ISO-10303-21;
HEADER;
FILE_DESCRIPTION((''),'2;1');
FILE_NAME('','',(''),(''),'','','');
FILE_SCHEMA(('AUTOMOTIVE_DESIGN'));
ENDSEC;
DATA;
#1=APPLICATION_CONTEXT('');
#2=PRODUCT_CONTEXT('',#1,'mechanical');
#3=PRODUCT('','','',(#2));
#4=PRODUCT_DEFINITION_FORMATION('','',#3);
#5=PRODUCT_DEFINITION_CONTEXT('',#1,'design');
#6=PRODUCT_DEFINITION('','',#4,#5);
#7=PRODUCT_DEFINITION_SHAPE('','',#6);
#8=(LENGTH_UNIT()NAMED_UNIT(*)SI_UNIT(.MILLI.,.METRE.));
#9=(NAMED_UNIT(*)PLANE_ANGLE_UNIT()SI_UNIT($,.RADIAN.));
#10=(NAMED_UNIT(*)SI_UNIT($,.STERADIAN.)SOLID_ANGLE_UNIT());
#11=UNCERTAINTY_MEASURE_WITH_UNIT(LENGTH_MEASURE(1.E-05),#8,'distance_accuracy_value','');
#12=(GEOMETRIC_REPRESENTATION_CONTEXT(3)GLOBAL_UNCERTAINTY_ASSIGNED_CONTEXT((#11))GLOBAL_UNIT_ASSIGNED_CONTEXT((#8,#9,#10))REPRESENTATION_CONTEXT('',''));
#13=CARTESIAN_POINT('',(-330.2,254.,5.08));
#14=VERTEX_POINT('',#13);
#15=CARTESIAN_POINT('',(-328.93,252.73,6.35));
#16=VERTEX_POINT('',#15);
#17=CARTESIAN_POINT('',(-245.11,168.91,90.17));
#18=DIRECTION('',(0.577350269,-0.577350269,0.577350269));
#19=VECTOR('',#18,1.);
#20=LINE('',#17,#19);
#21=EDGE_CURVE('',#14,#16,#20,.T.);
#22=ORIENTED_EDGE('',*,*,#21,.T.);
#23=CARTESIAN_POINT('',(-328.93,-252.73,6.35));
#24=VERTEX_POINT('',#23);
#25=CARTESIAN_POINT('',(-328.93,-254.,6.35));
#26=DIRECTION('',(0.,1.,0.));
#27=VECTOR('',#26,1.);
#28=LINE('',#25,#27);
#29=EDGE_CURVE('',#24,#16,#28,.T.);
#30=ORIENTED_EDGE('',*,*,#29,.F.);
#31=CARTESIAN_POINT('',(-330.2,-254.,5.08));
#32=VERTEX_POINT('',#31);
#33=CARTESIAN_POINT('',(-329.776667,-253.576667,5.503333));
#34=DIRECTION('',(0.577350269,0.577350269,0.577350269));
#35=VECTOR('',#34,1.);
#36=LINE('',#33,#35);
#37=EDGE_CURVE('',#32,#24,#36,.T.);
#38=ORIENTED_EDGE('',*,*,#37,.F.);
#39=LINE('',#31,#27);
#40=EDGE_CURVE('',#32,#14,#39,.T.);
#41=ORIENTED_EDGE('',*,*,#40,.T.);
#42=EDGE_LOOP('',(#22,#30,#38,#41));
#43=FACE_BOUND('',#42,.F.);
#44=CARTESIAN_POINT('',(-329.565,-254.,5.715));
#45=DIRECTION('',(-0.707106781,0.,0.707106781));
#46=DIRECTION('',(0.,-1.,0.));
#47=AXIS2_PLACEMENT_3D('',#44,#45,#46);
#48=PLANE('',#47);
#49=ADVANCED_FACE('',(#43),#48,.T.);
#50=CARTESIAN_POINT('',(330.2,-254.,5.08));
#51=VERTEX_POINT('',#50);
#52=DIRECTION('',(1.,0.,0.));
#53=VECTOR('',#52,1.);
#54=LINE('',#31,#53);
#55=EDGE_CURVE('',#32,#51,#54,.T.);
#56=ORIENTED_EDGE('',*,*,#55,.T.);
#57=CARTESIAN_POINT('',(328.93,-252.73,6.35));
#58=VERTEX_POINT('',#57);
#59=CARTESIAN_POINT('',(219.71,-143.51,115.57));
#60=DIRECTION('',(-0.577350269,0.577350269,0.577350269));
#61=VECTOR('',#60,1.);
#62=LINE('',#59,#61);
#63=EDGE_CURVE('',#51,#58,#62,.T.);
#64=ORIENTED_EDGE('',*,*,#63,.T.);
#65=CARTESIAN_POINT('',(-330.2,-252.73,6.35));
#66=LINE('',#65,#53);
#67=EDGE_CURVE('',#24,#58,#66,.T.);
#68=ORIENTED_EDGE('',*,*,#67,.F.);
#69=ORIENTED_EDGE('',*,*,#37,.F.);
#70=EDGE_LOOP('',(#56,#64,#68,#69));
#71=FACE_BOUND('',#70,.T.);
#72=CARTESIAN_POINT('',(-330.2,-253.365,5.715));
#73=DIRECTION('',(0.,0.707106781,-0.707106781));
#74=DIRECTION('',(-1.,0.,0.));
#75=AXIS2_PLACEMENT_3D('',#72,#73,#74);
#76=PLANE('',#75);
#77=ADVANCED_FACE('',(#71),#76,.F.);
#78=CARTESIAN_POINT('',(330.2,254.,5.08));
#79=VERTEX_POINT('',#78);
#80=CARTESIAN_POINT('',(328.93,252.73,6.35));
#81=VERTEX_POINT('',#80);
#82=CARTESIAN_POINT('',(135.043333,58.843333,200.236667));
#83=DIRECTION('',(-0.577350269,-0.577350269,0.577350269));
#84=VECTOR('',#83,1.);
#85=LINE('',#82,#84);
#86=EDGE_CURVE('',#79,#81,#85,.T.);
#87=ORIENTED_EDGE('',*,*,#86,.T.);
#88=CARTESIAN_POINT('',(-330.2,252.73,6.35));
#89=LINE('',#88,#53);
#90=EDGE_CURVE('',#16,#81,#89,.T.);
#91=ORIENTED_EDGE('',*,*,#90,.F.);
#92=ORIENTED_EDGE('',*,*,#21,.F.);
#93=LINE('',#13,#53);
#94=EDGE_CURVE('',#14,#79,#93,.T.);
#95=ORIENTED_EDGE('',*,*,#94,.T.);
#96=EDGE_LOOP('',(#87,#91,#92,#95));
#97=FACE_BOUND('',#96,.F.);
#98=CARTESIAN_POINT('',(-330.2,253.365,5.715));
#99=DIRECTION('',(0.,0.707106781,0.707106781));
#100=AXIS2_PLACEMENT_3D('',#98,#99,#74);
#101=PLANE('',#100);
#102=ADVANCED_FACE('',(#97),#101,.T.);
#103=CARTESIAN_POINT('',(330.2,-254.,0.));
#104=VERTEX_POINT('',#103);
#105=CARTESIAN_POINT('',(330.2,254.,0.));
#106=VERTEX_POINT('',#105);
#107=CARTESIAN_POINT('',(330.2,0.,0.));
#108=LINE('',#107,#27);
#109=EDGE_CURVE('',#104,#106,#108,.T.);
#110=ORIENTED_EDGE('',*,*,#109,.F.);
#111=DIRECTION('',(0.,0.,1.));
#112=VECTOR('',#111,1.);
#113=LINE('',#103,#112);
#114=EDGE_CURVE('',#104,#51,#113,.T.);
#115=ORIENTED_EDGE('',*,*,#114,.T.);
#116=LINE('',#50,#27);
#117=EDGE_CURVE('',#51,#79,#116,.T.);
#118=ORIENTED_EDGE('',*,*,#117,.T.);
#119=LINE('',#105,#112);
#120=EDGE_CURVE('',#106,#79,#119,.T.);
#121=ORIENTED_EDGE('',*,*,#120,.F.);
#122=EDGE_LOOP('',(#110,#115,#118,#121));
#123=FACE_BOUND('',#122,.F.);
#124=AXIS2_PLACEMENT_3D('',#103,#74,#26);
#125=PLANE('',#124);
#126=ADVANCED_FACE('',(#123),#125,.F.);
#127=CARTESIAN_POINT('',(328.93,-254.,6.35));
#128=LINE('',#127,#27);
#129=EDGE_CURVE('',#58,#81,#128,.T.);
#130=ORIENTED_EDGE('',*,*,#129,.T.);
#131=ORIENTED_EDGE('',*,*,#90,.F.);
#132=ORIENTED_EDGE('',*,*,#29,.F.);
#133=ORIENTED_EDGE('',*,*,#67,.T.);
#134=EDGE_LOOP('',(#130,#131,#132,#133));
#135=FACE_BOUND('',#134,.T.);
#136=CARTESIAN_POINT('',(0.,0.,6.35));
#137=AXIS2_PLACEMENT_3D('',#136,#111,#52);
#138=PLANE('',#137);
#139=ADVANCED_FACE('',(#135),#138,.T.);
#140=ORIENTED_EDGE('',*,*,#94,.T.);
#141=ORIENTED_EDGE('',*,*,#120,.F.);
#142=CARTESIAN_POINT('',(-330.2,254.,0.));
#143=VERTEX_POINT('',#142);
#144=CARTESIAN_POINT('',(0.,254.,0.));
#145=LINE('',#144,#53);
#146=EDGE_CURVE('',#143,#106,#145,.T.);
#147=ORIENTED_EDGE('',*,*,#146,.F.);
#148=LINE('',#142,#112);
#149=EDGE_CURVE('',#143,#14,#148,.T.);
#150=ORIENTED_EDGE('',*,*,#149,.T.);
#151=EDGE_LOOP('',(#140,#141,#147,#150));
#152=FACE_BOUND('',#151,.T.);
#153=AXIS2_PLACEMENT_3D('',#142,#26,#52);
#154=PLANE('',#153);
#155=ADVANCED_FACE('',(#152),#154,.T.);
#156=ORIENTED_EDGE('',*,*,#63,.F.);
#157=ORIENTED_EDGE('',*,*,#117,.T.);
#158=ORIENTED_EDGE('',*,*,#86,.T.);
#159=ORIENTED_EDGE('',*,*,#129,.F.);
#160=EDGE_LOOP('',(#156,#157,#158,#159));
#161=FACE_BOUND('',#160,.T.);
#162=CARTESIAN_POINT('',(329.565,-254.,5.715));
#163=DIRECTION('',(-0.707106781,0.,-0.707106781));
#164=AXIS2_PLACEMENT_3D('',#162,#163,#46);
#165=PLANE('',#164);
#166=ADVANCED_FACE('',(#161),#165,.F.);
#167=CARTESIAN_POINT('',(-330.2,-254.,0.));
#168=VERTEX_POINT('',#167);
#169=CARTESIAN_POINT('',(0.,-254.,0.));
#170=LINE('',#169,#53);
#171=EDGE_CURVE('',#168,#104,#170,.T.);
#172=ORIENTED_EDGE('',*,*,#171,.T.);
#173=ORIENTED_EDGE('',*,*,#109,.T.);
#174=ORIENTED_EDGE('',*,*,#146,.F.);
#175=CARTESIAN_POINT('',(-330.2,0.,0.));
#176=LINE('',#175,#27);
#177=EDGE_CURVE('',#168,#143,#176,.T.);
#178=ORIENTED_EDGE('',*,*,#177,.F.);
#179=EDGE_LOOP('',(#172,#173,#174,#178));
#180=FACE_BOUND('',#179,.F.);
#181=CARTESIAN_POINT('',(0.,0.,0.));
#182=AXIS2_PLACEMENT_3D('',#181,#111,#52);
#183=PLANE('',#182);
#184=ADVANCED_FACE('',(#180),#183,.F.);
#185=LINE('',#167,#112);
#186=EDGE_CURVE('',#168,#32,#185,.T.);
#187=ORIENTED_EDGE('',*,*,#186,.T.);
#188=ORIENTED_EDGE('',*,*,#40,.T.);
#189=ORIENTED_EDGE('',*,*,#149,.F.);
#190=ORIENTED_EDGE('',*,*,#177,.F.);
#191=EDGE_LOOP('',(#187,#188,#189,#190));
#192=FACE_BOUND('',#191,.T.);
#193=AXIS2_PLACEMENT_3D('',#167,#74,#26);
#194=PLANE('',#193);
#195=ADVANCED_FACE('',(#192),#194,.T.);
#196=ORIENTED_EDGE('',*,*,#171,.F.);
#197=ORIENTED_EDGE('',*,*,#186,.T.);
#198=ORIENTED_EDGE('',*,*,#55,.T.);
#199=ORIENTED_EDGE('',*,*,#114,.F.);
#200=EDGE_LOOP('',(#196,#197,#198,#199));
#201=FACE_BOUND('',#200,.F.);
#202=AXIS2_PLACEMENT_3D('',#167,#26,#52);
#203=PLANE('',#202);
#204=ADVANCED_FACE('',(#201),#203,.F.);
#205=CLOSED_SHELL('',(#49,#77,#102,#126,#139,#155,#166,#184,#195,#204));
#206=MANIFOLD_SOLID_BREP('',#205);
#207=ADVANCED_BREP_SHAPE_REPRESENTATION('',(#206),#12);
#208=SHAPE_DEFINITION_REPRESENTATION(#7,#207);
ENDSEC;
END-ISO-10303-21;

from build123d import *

# Parameters (mm, degrees)
F0_W     = 660.4
F0_H     = 508
F1_DEPTH = 6.35
F2_SIZE  = 1.27


with BuildPart() as f1:
    # F0 (on Top) → F1 (new body)
    with BuildSketch(Plane.XY):
        Rectangle(F0_W, F0_H)
    extrude(amount=F1_DEPTH)

    # F2
    f2_edges = [f1.edges().sort_by_distance(p)[0] for p in [
        (330.2, 0, 6.35),
        (0, 254, 6.35),
        (-330.2, 0, 6.35),
        (0, -254, 6.35),
    ]]
    chamfer(f2_edges, length=F2_SIZE)


solid = f1.part
